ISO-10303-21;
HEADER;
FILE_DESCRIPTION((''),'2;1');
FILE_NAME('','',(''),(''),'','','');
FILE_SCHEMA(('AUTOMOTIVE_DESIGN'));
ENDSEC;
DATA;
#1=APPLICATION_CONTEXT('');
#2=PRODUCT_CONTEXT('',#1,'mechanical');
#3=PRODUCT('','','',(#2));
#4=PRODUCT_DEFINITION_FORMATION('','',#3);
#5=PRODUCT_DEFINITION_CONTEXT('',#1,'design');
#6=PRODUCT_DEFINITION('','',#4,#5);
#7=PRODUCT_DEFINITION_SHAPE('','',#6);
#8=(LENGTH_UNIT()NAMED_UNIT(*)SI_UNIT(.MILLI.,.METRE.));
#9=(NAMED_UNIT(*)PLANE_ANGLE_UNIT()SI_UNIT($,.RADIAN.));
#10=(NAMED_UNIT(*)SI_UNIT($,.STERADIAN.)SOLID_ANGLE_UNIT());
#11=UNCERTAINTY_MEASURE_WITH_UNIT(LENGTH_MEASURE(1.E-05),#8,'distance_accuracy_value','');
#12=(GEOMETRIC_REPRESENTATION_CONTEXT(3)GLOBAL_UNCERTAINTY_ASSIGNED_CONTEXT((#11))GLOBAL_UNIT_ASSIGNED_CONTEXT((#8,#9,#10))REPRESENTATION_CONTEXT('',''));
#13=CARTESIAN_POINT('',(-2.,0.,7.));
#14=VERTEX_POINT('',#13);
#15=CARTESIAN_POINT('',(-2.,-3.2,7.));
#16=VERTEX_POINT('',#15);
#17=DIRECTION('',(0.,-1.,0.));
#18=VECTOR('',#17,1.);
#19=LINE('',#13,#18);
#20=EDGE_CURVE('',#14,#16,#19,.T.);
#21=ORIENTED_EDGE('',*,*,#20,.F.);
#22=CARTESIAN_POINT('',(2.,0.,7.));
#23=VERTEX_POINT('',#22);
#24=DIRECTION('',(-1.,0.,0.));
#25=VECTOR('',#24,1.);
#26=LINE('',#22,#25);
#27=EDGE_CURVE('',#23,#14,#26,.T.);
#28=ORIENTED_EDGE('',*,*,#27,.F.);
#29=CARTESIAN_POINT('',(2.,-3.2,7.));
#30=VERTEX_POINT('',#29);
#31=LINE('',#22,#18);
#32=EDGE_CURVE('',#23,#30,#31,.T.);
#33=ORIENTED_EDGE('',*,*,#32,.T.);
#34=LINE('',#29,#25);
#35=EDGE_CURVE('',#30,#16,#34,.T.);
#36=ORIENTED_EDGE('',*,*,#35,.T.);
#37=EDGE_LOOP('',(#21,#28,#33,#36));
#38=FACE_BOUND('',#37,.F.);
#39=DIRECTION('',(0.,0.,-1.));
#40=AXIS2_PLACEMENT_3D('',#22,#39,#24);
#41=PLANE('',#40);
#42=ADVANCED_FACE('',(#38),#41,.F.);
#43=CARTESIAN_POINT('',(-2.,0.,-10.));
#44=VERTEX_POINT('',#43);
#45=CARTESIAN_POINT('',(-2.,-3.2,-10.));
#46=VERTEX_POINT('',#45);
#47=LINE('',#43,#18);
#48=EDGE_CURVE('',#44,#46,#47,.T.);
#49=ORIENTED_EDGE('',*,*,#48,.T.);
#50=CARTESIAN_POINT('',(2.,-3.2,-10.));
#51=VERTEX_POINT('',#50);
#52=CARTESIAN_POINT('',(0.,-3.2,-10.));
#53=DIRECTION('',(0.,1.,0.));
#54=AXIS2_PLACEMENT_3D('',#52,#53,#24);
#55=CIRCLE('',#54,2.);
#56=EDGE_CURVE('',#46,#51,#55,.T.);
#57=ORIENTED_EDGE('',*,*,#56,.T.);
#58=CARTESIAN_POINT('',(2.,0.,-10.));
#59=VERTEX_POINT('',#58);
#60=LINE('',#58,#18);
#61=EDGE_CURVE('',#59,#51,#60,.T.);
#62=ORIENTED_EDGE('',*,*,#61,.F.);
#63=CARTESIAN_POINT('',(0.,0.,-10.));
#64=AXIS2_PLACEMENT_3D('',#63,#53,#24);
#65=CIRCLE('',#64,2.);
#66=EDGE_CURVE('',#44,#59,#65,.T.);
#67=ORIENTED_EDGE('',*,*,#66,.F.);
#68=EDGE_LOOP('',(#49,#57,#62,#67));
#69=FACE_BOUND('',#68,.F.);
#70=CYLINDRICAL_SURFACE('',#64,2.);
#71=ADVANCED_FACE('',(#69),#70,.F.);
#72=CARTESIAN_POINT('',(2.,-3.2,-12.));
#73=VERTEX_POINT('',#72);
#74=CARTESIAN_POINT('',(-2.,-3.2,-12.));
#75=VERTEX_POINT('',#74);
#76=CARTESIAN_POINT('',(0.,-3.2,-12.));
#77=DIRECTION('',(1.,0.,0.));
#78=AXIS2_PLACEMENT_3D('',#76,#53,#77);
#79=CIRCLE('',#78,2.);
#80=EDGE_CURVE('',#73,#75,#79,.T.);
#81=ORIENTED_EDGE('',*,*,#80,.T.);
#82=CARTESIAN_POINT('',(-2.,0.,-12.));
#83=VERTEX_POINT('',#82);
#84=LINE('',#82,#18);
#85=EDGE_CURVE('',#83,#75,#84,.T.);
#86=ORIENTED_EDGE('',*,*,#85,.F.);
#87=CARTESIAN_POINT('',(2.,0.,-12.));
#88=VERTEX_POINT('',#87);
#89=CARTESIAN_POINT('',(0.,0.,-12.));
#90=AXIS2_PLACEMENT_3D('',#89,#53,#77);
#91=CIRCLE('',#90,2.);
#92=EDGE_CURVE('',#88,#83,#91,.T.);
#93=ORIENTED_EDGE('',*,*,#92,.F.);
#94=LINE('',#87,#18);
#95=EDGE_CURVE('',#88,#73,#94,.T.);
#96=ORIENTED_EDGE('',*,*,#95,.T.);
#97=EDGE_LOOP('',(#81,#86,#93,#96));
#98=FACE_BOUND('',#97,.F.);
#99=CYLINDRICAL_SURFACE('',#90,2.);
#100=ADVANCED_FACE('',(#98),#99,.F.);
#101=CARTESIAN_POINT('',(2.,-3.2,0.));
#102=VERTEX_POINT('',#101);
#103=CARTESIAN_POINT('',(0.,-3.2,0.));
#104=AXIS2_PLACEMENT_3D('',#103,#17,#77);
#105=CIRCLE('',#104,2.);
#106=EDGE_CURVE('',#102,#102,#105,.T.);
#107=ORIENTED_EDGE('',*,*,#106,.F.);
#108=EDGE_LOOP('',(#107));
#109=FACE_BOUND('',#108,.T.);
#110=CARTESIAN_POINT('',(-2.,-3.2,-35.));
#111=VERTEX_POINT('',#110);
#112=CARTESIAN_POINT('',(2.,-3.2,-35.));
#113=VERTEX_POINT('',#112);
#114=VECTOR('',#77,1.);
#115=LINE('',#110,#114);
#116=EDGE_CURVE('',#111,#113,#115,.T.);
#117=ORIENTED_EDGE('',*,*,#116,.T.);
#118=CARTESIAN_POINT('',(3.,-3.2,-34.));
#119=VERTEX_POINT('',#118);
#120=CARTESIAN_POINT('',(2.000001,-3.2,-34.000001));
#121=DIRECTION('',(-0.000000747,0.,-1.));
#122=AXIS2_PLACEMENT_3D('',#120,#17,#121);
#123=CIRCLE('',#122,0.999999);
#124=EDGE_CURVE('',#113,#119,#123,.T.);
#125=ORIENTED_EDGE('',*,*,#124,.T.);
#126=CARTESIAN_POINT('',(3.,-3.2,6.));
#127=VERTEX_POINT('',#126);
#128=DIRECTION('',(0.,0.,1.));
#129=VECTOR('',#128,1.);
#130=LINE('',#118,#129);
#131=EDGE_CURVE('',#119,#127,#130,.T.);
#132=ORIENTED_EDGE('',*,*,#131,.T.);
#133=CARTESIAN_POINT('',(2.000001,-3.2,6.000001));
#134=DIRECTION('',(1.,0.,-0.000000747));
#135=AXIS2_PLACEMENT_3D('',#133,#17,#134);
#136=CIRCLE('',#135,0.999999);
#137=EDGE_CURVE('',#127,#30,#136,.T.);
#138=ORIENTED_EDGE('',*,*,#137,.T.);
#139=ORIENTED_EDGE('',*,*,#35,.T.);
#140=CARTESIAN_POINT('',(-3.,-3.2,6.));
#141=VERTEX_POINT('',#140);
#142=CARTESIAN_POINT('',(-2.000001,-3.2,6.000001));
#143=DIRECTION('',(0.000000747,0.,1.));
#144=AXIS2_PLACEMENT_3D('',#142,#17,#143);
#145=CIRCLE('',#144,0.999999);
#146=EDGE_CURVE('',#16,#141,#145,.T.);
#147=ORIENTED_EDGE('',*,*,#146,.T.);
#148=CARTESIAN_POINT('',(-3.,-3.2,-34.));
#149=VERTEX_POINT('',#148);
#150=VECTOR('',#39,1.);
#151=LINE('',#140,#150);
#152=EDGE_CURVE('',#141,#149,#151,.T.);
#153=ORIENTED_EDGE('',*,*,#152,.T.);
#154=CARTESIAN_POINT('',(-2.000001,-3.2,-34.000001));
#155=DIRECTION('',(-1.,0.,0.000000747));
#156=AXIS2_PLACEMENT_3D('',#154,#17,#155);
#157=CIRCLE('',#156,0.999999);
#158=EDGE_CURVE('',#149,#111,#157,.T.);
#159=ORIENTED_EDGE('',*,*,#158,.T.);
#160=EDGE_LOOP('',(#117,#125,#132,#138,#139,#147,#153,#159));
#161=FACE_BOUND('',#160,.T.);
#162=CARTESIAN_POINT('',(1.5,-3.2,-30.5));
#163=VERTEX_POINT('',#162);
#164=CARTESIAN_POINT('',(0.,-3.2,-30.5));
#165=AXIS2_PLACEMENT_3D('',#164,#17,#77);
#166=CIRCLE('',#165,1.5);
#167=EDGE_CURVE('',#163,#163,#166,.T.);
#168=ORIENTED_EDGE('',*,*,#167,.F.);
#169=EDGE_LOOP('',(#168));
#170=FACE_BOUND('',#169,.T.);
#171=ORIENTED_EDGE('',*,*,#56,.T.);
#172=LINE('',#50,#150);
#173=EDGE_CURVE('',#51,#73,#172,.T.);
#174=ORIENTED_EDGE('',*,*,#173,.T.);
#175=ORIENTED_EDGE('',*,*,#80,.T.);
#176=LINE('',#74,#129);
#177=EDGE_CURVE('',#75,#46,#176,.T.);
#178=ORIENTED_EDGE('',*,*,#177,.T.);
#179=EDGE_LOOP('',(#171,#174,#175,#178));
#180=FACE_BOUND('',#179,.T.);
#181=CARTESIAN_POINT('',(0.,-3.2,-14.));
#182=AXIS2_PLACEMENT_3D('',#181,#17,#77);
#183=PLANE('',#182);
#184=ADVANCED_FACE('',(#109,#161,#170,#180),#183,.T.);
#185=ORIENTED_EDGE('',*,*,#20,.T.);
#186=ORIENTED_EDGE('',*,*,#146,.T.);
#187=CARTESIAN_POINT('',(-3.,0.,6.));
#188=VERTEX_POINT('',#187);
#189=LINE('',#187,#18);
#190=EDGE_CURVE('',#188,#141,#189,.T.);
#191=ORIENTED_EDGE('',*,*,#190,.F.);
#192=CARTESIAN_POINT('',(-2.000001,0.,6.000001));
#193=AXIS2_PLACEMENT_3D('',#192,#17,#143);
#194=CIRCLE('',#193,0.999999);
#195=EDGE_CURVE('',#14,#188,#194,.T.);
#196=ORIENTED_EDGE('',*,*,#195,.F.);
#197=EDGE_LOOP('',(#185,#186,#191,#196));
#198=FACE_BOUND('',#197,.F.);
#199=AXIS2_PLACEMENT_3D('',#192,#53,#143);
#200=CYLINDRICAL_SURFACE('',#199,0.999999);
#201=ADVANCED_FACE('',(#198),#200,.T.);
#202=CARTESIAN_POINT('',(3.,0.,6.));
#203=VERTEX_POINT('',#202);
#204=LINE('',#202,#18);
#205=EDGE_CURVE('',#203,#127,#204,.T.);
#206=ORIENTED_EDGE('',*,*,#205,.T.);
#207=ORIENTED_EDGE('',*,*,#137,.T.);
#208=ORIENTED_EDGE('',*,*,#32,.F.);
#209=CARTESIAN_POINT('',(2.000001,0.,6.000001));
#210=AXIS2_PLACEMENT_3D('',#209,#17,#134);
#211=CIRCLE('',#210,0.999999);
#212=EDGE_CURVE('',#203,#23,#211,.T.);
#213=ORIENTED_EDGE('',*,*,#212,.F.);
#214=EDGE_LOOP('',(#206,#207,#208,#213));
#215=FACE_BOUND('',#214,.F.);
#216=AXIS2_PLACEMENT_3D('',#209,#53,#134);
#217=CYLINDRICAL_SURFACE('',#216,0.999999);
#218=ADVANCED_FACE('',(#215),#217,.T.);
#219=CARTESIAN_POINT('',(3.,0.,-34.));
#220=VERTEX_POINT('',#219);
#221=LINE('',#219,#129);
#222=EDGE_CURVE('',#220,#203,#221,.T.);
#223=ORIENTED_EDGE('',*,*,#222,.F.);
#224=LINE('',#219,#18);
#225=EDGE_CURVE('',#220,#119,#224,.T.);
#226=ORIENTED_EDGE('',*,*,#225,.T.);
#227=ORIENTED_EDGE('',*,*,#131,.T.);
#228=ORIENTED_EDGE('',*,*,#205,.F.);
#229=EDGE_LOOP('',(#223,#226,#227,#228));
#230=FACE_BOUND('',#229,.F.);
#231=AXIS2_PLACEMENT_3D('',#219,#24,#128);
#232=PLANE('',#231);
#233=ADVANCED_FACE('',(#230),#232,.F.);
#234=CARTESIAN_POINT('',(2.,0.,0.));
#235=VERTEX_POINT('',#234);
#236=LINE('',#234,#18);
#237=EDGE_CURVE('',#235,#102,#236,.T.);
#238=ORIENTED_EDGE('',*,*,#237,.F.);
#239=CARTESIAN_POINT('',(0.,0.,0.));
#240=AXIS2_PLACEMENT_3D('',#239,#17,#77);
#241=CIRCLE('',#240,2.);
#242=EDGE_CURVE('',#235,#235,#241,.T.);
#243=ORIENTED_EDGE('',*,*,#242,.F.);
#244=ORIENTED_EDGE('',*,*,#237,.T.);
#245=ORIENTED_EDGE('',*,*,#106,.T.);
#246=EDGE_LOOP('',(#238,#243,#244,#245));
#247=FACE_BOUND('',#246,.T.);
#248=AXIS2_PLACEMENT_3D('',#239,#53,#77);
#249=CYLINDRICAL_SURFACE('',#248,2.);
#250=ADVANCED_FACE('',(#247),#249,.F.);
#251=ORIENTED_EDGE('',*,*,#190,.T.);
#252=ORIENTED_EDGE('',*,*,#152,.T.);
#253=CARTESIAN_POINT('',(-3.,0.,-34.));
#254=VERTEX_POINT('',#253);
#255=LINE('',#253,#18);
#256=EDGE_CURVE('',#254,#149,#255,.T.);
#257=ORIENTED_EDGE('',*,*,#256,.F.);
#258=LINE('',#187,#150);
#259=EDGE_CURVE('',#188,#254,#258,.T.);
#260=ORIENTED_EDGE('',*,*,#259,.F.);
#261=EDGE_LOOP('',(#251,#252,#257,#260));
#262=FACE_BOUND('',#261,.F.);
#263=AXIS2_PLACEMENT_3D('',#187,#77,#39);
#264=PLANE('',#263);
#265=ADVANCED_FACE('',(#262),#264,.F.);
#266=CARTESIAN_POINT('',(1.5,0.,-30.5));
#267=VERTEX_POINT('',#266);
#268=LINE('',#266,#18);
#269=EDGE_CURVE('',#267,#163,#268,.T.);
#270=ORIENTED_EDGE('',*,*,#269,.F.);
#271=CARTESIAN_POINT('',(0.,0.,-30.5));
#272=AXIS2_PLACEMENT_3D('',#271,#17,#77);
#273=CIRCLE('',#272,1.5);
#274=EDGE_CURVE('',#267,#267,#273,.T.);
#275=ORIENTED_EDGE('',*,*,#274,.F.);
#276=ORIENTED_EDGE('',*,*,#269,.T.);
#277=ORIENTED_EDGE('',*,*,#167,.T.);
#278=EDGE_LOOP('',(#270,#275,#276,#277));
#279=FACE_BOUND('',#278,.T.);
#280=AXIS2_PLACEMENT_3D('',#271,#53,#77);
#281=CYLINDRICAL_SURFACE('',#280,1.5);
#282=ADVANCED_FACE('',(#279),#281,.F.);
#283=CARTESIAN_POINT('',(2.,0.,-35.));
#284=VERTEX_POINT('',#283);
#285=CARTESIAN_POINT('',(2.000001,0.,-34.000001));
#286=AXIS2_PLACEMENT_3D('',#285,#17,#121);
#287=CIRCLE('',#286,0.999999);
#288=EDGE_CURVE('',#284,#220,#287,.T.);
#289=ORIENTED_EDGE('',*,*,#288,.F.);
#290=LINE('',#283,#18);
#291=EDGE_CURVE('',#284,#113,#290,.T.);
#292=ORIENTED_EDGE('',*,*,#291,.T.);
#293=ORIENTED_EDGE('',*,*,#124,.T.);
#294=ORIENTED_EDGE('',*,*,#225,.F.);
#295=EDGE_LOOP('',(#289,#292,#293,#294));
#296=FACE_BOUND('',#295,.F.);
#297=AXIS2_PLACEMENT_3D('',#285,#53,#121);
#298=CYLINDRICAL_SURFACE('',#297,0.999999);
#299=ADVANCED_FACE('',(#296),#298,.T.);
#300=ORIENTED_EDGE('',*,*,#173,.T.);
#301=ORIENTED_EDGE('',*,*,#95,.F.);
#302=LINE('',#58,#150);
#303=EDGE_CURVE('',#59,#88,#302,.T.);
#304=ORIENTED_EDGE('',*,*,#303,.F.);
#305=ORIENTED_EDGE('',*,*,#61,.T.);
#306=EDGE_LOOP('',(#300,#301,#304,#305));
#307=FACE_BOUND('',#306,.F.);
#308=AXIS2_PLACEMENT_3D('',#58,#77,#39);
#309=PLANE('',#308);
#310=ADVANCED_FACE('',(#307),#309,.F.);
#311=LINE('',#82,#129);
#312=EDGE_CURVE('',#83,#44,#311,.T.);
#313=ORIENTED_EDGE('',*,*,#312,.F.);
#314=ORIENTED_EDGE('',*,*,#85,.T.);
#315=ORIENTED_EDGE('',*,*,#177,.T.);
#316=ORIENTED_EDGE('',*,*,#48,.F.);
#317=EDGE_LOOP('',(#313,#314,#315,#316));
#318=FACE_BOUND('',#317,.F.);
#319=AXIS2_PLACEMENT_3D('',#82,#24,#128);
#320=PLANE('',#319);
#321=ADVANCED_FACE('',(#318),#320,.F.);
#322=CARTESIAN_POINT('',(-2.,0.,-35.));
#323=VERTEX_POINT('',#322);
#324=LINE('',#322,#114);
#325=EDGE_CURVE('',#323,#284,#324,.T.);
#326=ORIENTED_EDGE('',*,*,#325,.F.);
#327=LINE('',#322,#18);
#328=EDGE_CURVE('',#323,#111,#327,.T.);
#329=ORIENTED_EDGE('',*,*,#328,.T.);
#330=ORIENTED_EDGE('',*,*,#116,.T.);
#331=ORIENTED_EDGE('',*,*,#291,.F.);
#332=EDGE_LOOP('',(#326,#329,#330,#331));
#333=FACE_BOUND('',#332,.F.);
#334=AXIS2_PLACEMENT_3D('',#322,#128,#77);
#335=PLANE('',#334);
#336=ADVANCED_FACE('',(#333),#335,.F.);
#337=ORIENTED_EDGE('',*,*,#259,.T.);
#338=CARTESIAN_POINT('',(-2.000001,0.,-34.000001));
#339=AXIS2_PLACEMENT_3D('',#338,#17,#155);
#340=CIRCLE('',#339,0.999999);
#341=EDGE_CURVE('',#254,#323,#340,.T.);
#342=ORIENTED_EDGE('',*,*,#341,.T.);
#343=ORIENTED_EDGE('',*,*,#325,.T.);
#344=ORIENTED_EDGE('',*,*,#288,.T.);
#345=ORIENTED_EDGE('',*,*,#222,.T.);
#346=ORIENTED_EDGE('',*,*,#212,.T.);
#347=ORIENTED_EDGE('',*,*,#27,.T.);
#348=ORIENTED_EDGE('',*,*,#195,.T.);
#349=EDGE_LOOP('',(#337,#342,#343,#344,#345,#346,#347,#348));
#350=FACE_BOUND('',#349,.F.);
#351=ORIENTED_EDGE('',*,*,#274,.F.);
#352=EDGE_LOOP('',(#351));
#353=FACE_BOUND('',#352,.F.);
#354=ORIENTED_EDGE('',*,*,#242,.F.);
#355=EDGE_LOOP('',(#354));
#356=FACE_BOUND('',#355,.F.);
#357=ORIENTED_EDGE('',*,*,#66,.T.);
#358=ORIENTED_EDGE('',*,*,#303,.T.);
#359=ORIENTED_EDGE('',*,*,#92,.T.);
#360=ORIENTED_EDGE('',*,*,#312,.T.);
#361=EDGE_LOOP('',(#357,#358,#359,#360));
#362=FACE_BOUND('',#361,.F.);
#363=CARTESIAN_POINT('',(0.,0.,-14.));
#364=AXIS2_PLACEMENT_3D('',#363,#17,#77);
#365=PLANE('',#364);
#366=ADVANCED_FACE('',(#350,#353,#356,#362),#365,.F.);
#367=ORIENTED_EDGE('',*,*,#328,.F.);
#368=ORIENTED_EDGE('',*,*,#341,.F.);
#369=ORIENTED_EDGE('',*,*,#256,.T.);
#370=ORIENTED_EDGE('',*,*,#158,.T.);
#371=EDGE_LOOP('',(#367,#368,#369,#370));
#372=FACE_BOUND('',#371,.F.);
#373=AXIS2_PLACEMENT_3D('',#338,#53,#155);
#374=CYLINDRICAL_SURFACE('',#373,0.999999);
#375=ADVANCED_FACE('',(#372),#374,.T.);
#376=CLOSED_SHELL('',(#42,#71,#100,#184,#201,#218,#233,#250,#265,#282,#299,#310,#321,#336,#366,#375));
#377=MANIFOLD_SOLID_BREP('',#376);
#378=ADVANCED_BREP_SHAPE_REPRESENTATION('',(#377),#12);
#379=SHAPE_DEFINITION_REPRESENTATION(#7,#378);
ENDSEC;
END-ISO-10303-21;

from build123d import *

# Parameters (mm, degrees)
F0_R     = 1.5
F0_R_2   = 2
F1_DEPTH = 3.2


with BuildPart() as f1:
    # F0 (on Front) → F1 (new body)
    with BuildSketch(Plane.XZ):
        with BuildLine():
            Line((3, -34), (3, 6))
            ThreePointArc((3, 6), (2.707107, 6.707107), (2, 7))
            Line((2, 7), (-2, 7))
            ThreePointArc((-2, 7), (-2.707107, 6.707107), (-3, 6))
            Line((-3, 6), (-3, -34))
            ThreePointArc((-3, -34), (-2.707107, -34.707107), (-2, -35))
            Line((-2, -35), (2, -35))
            ThreePointArc((2, -35), (2.707107, -34.707107), (3, -34))
        make_face()
        with Locations((0, -30.5)):
            Circle(F0_R, mode=Mode.SUBTRACT)
        with BuildLine():
            ThreePointArc((-2, -10), (0, -8), (2, -10))
            Line((2, -10), (2, -12))
            ThreePointArc((2, -12), (0, -14), (-2, -12))
            Line((-2, -12), (-2, -10))
        make_face(mode=Mode.SUBTRACT)
        Circle(F0_R_2, mode=Mode.SUBTRACT)
    extrude(amount=F1_DEPTH)


solid = f1.part
